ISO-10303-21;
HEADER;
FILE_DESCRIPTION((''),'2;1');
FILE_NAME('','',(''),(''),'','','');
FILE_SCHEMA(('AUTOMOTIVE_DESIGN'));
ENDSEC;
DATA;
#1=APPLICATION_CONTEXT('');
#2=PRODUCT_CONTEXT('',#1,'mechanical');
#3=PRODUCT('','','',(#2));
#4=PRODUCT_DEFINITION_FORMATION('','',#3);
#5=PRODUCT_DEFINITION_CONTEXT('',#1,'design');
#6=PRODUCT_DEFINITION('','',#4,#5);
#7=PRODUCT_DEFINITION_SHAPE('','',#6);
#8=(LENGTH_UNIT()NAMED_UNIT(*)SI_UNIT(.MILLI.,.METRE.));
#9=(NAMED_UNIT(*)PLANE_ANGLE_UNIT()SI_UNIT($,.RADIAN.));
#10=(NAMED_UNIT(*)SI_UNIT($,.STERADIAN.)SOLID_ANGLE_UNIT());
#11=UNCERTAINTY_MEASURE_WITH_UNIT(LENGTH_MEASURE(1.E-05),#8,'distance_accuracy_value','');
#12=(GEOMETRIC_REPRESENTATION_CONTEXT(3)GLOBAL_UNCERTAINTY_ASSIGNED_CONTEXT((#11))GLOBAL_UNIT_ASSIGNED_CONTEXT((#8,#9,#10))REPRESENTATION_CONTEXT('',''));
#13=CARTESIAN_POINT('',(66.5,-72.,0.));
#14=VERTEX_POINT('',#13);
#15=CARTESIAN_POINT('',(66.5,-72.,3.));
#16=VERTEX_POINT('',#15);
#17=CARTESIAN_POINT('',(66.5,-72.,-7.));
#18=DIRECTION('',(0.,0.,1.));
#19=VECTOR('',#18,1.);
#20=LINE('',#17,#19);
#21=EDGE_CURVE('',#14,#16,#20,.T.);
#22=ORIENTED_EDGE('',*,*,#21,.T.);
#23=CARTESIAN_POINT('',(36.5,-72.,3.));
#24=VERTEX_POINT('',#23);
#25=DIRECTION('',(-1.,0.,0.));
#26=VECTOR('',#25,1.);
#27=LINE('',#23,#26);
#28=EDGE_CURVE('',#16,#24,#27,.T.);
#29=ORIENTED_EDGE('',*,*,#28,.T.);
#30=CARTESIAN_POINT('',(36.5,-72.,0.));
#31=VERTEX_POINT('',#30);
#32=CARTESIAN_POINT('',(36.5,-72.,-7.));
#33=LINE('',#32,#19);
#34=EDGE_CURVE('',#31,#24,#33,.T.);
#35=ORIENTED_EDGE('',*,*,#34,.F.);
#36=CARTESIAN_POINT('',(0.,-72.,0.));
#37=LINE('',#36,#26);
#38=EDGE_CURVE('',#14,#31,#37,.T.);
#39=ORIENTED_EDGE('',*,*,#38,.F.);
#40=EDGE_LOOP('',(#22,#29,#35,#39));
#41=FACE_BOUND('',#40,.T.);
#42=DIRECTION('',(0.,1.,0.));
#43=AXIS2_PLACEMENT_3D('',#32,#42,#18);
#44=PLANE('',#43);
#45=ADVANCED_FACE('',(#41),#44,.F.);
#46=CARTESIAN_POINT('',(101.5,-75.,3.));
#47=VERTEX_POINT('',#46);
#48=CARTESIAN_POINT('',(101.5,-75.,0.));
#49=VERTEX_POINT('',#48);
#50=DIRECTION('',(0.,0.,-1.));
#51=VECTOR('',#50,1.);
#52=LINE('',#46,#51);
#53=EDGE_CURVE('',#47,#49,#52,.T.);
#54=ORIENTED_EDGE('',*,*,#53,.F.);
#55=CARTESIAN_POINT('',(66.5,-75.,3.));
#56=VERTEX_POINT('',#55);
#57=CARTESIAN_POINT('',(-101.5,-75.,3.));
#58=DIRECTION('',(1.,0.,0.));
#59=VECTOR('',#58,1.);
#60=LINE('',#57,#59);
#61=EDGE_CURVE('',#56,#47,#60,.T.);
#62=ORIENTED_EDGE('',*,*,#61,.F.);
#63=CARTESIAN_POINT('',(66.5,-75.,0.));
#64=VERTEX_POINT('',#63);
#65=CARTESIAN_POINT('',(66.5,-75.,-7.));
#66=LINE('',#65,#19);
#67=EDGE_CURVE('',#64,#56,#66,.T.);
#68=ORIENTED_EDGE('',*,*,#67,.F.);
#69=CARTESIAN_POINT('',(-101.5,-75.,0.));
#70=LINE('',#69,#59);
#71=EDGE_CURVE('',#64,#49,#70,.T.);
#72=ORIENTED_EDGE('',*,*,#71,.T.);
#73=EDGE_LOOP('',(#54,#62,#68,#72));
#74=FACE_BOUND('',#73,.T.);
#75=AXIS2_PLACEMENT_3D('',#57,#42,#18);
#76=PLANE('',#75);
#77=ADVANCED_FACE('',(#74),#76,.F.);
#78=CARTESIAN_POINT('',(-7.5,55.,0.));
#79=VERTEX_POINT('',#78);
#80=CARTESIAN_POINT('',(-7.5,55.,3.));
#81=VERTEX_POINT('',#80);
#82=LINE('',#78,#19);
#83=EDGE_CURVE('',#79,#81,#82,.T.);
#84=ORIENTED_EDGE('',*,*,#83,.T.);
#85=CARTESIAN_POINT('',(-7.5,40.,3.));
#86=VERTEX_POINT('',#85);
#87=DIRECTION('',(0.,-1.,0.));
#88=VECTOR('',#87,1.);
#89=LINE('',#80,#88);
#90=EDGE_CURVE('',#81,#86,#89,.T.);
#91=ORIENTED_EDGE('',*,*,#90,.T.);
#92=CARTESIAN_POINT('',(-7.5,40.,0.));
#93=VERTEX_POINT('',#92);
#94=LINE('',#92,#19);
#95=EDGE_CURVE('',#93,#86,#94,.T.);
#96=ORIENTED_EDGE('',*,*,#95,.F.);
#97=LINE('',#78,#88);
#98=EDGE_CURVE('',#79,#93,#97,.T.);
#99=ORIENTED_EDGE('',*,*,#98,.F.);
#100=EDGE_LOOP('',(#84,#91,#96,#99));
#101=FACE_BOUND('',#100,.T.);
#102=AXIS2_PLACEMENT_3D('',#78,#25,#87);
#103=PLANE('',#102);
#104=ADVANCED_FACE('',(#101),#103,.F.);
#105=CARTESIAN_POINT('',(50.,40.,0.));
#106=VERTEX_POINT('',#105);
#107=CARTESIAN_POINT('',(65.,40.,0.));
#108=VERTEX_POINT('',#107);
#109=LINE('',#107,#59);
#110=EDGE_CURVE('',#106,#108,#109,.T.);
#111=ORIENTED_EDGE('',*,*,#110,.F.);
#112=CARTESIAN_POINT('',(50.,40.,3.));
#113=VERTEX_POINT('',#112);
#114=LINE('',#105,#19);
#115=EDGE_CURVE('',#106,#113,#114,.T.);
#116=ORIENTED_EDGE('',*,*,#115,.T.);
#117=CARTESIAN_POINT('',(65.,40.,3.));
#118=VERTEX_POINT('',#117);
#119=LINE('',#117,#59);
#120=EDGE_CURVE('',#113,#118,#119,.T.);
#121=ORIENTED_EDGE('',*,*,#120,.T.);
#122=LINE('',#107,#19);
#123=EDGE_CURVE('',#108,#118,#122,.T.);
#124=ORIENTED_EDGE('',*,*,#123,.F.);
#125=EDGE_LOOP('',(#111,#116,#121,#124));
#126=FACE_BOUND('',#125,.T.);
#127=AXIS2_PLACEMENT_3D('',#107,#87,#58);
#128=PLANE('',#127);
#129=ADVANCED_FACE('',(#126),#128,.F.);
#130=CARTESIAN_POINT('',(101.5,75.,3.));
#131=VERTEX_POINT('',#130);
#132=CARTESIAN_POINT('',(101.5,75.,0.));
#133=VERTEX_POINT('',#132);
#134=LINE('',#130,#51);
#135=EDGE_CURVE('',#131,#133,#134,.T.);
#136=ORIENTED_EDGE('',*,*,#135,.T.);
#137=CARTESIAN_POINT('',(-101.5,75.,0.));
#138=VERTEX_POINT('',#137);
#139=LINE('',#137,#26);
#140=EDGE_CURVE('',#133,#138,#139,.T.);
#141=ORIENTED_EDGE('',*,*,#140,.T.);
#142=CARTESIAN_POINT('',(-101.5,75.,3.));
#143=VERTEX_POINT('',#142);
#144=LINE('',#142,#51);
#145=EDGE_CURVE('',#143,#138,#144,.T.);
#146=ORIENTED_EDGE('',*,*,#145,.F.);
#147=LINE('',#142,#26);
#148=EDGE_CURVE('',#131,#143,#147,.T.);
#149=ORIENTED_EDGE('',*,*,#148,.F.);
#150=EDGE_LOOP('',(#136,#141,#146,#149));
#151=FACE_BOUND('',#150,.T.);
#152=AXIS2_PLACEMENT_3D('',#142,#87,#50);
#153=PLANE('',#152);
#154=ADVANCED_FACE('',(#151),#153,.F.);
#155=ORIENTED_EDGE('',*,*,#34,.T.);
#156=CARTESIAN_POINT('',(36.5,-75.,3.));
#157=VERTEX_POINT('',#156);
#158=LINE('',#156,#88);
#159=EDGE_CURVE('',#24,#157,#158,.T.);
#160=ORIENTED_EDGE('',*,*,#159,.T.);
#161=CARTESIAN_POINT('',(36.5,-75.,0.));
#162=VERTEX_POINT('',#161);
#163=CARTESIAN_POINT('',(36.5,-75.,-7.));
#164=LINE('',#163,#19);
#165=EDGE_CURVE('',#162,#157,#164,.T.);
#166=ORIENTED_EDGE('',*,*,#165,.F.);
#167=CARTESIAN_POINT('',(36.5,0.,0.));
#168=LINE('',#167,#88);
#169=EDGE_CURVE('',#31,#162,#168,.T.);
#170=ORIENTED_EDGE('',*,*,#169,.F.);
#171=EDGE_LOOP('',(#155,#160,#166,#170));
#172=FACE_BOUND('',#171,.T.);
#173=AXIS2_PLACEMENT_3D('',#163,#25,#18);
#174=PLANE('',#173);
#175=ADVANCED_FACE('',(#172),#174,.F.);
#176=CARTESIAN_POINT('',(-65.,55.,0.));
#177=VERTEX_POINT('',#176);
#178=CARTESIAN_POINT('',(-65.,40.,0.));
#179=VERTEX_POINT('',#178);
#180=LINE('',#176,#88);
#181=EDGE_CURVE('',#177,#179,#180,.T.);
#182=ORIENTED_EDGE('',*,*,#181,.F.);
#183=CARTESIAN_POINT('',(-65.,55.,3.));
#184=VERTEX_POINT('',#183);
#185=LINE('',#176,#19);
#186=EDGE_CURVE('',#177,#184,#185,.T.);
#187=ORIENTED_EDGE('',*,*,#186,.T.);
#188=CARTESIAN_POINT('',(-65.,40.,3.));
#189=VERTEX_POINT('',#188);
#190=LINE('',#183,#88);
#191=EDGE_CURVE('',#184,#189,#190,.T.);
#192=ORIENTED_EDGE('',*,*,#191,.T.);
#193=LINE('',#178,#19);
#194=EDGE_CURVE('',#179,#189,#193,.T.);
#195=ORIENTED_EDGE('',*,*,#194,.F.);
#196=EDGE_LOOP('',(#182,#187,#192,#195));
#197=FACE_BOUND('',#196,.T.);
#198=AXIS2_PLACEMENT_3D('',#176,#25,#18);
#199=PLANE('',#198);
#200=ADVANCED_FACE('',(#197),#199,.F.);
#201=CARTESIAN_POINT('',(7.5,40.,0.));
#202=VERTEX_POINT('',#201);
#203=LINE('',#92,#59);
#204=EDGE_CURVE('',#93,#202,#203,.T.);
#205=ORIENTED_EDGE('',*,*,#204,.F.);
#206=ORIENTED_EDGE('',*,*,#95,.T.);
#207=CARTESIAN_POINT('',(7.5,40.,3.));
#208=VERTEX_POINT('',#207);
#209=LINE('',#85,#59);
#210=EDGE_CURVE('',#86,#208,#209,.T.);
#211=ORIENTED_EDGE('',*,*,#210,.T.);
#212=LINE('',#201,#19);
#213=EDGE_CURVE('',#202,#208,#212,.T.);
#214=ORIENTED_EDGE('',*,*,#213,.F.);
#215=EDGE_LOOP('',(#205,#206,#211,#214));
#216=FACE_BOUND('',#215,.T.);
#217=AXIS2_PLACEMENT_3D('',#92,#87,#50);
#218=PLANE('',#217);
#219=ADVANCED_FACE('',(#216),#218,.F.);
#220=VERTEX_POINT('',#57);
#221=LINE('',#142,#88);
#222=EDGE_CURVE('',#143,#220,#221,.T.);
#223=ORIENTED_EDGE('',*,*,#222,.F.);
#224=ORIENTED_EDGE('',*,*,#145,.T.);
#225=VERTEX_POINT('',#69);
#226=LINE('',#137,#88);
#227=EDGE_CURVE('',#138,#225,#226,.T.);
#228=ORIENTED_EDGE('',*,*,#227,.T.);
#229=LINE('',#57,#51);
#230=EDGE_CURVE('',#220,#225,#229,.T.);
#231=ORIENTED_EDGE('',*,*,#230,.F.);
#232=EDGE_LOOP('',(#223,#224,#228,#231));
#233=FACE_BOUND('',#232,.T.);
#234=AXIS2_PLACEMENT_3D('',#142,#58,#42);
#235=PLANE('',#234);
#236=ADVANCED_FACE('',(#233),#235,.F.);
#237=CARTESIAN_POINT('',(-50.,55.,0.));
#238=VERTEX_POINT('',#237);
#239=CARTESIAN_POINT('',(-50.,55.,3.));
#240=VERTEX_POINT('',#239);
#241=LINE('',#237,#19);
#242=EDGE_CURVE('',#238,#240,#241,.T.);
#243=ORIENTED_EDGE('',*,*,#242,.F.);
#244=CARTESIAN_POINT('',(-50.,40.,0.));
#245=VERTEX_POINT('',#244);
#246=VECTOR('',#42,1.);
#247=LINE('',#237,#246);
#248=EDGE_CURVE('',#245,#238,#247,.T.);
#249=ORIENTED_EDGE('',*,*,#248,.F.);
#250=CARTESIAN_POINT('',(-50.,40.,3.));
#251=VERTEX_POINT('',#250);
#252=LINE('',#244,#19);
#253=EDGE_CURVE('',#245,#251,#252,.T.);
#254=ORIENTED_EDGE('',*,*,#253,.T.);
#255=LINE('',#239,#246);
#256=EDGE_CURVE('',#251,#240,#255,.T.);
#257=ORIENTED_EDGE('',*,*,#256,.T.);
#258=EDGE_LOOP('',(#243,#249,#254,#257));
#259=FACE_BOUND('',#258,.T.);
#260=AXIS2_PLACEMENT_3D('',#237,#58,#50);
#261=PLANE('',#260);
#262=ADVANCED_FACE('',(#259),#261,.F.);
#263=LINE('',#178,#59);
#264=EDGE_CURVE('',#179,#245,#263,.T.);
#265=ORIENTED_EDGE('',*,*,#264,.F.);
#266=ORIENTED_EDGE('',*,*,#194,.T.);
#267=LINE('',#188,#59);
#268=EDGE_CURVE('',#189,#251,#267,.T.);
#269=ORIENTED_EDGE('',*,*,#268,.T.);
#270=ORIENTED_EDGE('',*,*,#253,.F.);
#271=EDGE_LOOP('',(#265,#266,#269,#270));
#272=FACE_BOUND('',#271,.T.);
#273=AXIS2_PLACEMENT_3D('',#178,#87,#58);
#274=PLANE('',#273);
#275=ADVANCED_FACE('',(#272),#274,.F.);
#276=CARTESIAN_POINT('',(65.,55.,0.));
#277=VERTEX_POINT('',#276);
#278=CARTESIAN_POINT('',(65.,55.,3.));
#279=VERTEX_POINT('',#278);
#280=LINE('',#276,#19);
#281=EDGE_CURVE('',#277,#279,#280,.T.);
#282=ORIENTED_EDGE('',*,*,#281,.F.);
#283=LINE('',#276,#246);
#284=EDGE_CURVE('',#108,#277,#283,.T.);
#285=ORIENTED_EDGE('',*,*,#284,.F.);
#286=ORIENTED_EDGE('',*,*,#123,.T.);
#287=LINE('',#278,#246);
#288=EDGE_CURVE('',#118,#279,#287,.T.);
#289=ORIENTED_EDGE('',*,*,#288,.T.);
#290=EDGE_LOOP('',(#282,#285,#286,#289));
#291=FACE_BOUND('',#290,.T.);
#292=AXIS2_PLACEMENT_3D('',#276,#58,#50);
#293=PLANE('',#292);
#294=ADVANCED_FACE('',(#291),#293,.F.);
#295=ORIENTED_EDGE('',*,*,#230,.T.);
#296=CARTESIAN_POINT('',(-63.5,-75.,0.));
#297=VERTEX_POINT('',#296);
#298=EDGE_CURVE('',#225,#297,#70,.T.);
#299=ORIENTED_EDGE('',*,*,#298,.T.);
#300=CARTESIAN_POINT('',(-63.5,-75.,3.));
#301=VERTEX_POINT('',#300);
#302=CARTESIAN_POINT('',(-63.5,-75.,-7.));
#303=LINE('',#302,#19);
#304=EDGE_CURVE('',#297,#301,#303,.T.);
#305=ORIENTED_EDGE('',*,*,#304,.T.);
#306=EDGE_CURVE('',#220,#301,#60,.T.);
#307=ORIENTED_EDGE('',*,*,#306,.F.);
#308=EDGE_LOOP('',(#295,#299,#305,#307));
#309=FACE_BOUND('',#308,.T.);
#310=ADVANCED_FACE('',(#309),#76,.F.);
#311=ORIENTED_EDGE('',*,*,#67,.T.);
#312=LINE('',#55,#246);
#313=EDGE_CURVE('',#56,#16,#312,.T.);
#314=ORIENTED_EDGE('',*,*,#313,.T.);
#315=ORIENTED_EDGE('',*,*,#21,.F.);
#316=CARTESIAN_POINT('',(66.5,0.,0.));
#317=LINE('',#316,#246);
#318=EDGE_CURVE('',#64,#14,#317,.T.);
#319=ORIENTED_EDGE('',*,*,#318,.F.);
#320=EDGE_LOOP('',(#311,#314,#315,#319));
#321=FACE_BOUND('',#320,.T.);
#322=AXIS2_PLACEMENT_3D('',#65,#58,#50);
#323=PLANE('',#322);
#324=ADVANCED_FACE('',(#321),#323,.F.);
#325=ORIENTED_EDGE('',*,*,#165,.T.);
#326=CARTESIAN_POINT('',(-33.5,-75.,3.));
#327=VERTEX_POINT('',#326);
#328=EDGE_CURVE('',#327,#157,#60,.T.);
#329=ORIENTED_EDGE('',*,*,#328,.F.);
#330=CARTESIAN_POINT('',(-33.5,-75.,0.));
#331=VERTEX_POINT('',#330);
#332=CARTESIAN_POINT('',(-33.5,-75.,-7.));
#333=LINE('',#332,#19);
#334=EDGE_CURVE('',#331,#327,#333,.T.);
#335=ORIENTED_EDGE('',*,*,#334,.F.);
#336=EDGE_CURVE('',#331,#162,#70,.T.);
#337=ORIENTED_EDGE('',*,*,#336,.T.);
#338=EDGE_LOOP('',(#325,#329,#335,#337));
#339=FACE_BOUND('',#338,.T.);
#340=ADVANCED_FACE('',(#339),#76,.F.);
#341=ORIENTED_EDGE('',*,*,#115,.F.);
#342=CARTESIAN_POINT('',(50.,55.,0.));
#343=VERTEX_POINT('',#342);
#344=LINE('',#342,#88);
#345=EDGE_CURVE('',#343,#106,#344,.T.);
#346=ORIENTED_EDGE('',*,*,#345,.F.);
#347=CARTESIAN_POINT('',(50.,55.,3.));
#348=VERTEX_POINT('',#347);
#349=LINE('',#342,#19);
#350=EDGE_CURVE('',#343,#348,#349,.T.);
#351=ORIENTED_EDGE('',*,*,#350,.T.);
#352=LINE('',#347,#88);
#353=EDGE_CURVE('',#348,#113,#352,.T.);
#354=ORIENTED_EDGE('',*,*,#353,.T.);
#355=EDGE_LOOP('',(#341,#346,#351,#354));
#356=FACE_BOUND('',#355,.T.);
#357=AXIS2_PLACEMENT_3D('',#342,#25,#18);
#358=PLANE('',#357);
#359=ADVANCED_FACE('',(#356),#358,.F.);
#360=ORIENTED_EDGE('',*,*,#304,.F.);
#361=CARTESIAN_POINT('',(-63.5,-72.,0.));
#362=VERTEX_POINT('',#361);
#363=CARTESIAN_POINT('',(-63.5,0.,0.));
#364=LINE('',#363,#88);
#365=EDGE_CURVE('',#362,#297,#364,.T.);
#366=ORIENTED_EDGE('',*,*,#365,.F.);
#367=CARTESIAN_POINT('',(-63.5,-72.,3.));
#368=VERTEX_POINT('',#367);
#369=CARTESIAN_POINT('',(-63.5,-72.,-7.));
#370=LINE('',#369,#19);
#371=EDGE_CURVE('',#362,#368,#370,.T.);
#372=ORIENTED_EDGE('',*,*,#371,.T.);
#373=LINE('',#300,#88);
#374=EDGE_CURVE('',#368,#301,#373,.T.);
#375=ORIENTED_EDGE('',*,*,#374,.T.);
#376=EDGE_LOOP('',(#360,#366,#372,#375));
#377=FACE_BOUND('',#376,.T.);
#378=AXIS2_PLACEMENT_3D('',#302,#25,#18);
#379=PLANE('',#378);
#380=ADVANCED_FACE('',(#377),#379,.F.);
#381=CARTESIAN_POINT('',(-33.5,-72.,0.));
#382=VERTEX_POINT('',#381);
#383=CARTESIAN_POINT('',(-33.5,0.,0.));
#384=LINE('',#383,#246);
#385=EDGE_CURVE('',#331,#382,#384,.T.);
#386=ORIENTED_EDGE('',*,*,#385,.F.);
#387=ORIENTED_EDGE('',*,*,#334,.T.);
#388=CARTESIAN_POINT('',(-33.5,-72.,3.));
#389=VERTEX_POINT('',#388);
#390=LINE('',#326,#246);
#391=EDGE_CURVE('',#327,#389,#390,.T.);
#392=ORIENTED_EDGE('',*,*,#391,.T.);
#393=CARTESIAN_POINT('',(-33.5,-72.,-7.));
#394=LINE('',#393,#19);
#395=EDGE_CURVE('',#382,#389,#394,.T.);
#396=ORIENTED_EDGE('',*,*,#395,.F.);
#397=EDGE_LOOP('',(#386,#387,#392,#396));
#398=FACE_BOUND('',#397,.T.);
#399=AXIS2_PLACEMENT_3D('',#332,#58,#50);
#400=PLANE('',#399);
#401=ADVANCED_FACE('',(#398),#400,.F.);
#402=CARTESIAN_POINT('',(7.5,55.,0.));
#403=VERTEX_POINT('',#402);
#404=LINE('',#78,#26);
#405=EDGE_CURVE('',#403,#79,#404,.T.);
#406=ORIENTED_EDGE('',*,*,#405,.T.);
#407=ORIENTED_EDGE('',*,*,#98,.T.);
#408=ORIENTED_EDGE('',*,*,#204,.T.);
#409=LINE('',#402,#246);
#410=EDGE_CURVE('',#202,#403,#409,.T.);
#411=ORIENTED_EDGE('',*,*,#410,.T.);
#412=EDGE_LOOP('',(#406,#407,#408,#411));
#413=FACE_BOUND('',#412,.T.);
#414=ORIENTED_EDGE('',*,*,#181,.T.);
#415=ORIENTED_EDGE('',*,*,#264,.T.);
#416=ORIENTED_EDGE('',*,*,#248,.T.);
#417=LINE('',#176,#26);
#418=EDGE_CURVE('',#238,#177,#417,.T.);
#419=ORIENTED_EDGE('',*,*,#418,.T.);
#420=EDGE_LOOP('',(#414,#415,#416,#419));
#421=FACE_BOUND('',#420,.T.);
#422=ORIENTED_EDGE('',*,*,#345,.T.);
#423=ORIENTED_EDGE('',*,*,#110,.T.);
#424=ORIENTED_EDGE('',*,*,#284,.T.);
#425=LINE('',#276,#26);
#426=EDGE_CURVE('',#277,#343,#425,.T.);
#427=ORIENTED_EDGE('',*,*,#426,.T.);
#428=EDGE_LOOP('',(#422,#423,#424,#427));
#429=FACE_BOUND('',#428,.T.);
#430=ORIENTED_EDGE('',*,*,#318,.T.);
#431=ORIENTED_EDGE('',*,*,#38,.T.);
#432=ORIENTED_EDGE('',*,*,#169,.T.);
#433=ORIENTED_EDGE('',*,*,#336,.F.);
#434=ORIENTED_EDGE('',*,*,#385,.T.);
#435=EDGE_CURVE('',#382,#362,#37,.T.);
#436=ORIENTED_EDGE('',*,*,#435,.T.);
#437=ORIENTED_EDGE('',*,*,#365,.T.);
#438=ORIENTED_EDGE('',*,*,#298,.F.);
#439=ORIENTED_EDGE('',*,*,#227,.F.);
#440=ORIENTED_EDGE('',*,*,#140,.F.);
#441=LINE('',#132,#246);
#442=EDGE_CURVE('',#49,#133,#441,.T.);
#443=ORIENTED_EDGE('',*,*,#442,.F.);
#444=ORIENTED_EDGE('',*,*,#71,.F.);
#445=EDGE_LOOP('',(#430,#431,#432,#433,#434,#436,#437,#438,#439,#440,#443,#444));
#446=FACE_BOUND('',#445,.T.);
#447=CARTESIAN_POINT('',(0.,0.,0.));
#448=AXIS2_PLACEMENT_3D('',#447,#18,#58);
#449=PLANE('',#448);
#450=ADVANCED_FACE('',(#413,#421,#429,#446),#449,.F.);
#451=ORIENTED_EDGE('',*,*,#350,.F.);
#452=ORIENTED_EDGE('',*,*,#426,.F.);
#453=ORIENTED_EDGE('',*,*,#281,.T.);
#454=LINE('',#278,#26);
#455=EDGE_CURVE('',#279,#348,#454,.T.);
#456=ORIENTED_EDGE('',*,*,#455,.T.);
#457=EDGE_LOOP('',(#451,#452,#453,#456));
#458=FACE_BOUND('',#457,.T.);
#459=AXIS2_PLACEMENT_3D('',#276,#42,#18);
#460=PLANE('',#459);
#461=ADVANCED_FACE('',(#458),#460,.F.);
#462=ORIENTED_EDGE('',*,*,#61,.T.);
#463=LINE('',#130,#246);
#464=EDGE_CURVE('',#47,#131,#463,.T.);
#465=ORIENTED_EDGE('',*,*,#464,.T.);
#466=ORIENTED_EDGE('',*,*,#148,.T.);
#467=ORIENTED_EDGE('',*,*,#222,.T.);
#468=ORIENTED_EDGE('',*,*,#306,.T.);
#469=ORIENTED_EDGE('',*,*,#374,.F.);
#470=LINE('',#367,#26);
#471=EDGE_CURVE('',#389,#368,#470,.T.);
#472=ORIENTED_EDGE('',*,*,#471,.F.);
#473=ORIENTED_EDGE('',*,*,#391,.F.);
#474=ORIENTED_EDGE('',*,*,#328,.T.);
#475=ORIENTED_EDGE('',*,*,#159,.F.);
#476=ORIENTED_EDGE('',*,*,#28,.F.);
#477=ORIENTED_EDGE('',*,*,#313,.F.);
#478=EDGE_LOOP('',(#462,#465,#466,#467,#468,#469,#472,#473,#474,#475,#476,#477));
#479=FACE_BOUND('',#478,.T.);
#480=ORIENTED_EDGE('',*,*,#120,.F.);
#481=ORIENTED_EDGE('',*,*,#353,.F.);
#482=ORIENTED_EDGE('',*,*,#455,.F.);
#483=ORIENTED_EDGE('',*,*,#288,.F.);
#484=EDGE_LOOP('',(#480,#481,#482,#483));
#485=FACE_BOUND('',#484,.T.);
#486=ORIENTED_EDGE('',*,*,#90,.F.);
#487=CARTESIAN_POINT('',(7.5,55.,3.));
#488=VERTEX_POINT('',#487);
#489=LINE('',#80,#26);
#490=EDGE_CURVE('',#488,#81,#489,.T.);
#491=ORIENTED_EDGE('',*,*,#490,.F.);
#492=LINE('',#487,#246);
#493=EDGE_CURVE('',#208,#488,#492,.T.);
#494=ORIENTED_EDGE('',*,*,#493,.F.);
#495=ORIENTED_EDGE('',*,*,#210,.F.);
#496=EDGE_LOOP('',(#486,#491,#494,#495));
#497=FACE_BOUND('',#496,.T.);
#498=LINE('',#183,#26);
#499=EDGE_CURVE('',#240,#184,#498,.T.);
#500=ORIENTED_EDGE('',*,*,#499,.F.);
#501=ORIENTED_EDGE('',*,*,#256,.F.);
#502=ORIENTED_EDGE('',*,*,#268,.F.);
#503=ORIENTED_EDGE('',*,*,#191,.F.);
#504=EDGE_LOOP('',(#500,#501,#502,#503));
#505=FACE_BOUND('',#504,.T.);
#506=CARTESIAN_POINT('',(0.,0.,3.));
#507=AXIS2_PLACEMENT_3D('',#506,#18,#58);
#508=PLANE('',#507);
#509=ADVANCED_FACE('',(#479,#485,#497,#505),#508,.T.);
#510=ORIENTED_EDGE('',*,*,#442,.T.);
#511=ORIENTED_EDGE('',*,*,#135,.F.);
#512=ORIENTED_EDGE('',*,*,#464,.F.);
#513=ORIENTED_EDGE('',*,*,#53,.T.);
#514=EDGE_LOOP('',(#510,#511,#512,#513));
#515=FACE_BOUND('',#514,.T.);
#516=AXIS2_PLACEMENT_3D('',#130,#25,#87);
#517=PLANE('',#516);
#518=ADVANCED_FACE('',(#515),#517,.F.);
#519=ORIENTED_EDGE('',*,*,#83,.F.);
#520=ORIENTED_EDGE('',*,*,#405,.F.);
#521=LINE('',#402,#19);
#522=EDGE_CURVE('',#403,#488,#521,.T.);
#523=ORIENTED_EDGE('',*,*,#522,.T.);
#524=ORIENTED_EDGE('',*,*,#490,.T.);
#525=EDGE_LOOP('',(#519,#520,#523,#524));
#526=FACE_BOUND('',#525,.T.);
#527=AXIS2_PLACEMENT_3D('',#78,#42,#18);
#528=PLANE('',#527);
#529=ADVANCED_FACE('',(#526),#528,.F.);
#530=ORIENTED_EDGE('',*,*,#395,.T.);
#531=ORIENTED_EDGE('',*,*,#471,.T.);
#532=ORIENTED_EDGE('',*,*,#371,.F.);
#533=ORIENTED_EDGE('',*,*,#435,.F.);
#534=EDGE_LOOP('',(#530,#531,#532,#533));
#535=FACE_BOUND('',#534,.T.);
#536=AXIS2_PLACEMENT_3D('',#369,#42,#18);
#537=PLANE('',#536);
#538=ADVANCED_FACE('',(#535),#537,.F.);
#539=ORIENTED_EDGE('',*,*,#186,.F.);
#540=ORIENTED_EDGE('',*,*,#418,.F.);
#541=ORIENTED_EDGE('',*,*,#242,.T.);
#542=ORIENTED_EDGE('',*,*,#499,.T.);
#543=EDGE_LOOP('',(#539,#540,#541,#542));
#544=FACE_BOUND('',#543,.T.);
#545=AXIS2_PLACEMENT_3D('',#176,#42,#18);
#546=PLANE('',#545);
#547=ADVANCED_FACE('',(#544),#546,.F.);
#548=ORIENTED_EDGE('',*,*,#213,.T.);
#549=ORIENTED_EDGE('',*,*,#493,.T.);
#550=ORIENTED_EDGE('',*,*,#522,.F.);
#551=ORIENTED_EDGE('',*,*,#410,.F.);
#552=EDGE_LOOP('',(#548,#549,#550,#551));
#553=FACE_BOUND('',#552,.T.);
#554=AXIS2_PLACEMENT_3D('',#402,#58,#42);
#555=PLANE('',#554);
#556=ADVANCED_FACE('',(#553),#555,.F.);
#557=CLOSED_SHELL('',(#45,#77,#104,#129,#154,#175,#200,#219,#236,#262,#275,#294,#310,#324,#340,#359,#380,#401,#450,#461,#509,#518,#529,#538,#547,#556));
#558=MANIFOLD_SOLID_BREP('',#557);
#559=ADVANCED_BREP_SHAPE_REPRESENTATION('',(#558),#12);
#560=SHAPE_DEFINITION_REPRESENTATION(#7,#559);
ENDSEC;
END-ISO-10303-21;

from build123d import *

# Parameters (mm, degrees)
SKETCH1_W           = 203
SKETCH1_H           = 150
BOSS_EXTRUDE1_DEPTH = 3
SKETCH2_W           = 15
SKETCH2_H           = 15
CUT_EXTRUDE1_DEPTH  = 127.238860895
SKETCH3_W           = 30
SKETCH3_H           = 3
CUT_EXTRUDE2_DEPTH  = 10


with BuildPart() as part:
    # Sketch1 → Boss-Extrude1 (new body)
    with BuildSketch(Plane.XY):
        Rectangle(SKETCH1_W, SKETCH1_H)
    extrude(amount=BOSS_EXTRUDE1_DEPTH)

    # Sketch2 → Cut-Extrude1 (cut, through all)
    with BuildSketch(Plane.XY.offset(3)):
        with Locations((-57.5, 47.5)):
            Rectangle(SKETCH2_W, SKETCH2_H)
        with Locations((57.5, 47.5)):
            Rectangle(SKETCH2_W, SKETCH2_H)
        with Locations((0, 47.5)):
            Rectangle(SKETCH2_W, SKETCH2_H)
    extrude(amount=-CUT_EXTRUDE1_DEPTH, mode=Mode.SUBTRACT)

    # Sketch3 → Cut-Extrude2 (cut)
    with BuildSketch(Plane.XY.offset(3)):
        with Locations((-48.5, -73.5)):
            Rectangle(SKETCH3_W, SKETCH3_H)
        with Locations((51.5, -73.5)):
            Rectangle(SKETCH3_W, SKETCH3_H)
    extrude(amount=-CUT_EXTRUDE2_DEPTH, mode=Mode.SUBTRACT)


solid = part.part
